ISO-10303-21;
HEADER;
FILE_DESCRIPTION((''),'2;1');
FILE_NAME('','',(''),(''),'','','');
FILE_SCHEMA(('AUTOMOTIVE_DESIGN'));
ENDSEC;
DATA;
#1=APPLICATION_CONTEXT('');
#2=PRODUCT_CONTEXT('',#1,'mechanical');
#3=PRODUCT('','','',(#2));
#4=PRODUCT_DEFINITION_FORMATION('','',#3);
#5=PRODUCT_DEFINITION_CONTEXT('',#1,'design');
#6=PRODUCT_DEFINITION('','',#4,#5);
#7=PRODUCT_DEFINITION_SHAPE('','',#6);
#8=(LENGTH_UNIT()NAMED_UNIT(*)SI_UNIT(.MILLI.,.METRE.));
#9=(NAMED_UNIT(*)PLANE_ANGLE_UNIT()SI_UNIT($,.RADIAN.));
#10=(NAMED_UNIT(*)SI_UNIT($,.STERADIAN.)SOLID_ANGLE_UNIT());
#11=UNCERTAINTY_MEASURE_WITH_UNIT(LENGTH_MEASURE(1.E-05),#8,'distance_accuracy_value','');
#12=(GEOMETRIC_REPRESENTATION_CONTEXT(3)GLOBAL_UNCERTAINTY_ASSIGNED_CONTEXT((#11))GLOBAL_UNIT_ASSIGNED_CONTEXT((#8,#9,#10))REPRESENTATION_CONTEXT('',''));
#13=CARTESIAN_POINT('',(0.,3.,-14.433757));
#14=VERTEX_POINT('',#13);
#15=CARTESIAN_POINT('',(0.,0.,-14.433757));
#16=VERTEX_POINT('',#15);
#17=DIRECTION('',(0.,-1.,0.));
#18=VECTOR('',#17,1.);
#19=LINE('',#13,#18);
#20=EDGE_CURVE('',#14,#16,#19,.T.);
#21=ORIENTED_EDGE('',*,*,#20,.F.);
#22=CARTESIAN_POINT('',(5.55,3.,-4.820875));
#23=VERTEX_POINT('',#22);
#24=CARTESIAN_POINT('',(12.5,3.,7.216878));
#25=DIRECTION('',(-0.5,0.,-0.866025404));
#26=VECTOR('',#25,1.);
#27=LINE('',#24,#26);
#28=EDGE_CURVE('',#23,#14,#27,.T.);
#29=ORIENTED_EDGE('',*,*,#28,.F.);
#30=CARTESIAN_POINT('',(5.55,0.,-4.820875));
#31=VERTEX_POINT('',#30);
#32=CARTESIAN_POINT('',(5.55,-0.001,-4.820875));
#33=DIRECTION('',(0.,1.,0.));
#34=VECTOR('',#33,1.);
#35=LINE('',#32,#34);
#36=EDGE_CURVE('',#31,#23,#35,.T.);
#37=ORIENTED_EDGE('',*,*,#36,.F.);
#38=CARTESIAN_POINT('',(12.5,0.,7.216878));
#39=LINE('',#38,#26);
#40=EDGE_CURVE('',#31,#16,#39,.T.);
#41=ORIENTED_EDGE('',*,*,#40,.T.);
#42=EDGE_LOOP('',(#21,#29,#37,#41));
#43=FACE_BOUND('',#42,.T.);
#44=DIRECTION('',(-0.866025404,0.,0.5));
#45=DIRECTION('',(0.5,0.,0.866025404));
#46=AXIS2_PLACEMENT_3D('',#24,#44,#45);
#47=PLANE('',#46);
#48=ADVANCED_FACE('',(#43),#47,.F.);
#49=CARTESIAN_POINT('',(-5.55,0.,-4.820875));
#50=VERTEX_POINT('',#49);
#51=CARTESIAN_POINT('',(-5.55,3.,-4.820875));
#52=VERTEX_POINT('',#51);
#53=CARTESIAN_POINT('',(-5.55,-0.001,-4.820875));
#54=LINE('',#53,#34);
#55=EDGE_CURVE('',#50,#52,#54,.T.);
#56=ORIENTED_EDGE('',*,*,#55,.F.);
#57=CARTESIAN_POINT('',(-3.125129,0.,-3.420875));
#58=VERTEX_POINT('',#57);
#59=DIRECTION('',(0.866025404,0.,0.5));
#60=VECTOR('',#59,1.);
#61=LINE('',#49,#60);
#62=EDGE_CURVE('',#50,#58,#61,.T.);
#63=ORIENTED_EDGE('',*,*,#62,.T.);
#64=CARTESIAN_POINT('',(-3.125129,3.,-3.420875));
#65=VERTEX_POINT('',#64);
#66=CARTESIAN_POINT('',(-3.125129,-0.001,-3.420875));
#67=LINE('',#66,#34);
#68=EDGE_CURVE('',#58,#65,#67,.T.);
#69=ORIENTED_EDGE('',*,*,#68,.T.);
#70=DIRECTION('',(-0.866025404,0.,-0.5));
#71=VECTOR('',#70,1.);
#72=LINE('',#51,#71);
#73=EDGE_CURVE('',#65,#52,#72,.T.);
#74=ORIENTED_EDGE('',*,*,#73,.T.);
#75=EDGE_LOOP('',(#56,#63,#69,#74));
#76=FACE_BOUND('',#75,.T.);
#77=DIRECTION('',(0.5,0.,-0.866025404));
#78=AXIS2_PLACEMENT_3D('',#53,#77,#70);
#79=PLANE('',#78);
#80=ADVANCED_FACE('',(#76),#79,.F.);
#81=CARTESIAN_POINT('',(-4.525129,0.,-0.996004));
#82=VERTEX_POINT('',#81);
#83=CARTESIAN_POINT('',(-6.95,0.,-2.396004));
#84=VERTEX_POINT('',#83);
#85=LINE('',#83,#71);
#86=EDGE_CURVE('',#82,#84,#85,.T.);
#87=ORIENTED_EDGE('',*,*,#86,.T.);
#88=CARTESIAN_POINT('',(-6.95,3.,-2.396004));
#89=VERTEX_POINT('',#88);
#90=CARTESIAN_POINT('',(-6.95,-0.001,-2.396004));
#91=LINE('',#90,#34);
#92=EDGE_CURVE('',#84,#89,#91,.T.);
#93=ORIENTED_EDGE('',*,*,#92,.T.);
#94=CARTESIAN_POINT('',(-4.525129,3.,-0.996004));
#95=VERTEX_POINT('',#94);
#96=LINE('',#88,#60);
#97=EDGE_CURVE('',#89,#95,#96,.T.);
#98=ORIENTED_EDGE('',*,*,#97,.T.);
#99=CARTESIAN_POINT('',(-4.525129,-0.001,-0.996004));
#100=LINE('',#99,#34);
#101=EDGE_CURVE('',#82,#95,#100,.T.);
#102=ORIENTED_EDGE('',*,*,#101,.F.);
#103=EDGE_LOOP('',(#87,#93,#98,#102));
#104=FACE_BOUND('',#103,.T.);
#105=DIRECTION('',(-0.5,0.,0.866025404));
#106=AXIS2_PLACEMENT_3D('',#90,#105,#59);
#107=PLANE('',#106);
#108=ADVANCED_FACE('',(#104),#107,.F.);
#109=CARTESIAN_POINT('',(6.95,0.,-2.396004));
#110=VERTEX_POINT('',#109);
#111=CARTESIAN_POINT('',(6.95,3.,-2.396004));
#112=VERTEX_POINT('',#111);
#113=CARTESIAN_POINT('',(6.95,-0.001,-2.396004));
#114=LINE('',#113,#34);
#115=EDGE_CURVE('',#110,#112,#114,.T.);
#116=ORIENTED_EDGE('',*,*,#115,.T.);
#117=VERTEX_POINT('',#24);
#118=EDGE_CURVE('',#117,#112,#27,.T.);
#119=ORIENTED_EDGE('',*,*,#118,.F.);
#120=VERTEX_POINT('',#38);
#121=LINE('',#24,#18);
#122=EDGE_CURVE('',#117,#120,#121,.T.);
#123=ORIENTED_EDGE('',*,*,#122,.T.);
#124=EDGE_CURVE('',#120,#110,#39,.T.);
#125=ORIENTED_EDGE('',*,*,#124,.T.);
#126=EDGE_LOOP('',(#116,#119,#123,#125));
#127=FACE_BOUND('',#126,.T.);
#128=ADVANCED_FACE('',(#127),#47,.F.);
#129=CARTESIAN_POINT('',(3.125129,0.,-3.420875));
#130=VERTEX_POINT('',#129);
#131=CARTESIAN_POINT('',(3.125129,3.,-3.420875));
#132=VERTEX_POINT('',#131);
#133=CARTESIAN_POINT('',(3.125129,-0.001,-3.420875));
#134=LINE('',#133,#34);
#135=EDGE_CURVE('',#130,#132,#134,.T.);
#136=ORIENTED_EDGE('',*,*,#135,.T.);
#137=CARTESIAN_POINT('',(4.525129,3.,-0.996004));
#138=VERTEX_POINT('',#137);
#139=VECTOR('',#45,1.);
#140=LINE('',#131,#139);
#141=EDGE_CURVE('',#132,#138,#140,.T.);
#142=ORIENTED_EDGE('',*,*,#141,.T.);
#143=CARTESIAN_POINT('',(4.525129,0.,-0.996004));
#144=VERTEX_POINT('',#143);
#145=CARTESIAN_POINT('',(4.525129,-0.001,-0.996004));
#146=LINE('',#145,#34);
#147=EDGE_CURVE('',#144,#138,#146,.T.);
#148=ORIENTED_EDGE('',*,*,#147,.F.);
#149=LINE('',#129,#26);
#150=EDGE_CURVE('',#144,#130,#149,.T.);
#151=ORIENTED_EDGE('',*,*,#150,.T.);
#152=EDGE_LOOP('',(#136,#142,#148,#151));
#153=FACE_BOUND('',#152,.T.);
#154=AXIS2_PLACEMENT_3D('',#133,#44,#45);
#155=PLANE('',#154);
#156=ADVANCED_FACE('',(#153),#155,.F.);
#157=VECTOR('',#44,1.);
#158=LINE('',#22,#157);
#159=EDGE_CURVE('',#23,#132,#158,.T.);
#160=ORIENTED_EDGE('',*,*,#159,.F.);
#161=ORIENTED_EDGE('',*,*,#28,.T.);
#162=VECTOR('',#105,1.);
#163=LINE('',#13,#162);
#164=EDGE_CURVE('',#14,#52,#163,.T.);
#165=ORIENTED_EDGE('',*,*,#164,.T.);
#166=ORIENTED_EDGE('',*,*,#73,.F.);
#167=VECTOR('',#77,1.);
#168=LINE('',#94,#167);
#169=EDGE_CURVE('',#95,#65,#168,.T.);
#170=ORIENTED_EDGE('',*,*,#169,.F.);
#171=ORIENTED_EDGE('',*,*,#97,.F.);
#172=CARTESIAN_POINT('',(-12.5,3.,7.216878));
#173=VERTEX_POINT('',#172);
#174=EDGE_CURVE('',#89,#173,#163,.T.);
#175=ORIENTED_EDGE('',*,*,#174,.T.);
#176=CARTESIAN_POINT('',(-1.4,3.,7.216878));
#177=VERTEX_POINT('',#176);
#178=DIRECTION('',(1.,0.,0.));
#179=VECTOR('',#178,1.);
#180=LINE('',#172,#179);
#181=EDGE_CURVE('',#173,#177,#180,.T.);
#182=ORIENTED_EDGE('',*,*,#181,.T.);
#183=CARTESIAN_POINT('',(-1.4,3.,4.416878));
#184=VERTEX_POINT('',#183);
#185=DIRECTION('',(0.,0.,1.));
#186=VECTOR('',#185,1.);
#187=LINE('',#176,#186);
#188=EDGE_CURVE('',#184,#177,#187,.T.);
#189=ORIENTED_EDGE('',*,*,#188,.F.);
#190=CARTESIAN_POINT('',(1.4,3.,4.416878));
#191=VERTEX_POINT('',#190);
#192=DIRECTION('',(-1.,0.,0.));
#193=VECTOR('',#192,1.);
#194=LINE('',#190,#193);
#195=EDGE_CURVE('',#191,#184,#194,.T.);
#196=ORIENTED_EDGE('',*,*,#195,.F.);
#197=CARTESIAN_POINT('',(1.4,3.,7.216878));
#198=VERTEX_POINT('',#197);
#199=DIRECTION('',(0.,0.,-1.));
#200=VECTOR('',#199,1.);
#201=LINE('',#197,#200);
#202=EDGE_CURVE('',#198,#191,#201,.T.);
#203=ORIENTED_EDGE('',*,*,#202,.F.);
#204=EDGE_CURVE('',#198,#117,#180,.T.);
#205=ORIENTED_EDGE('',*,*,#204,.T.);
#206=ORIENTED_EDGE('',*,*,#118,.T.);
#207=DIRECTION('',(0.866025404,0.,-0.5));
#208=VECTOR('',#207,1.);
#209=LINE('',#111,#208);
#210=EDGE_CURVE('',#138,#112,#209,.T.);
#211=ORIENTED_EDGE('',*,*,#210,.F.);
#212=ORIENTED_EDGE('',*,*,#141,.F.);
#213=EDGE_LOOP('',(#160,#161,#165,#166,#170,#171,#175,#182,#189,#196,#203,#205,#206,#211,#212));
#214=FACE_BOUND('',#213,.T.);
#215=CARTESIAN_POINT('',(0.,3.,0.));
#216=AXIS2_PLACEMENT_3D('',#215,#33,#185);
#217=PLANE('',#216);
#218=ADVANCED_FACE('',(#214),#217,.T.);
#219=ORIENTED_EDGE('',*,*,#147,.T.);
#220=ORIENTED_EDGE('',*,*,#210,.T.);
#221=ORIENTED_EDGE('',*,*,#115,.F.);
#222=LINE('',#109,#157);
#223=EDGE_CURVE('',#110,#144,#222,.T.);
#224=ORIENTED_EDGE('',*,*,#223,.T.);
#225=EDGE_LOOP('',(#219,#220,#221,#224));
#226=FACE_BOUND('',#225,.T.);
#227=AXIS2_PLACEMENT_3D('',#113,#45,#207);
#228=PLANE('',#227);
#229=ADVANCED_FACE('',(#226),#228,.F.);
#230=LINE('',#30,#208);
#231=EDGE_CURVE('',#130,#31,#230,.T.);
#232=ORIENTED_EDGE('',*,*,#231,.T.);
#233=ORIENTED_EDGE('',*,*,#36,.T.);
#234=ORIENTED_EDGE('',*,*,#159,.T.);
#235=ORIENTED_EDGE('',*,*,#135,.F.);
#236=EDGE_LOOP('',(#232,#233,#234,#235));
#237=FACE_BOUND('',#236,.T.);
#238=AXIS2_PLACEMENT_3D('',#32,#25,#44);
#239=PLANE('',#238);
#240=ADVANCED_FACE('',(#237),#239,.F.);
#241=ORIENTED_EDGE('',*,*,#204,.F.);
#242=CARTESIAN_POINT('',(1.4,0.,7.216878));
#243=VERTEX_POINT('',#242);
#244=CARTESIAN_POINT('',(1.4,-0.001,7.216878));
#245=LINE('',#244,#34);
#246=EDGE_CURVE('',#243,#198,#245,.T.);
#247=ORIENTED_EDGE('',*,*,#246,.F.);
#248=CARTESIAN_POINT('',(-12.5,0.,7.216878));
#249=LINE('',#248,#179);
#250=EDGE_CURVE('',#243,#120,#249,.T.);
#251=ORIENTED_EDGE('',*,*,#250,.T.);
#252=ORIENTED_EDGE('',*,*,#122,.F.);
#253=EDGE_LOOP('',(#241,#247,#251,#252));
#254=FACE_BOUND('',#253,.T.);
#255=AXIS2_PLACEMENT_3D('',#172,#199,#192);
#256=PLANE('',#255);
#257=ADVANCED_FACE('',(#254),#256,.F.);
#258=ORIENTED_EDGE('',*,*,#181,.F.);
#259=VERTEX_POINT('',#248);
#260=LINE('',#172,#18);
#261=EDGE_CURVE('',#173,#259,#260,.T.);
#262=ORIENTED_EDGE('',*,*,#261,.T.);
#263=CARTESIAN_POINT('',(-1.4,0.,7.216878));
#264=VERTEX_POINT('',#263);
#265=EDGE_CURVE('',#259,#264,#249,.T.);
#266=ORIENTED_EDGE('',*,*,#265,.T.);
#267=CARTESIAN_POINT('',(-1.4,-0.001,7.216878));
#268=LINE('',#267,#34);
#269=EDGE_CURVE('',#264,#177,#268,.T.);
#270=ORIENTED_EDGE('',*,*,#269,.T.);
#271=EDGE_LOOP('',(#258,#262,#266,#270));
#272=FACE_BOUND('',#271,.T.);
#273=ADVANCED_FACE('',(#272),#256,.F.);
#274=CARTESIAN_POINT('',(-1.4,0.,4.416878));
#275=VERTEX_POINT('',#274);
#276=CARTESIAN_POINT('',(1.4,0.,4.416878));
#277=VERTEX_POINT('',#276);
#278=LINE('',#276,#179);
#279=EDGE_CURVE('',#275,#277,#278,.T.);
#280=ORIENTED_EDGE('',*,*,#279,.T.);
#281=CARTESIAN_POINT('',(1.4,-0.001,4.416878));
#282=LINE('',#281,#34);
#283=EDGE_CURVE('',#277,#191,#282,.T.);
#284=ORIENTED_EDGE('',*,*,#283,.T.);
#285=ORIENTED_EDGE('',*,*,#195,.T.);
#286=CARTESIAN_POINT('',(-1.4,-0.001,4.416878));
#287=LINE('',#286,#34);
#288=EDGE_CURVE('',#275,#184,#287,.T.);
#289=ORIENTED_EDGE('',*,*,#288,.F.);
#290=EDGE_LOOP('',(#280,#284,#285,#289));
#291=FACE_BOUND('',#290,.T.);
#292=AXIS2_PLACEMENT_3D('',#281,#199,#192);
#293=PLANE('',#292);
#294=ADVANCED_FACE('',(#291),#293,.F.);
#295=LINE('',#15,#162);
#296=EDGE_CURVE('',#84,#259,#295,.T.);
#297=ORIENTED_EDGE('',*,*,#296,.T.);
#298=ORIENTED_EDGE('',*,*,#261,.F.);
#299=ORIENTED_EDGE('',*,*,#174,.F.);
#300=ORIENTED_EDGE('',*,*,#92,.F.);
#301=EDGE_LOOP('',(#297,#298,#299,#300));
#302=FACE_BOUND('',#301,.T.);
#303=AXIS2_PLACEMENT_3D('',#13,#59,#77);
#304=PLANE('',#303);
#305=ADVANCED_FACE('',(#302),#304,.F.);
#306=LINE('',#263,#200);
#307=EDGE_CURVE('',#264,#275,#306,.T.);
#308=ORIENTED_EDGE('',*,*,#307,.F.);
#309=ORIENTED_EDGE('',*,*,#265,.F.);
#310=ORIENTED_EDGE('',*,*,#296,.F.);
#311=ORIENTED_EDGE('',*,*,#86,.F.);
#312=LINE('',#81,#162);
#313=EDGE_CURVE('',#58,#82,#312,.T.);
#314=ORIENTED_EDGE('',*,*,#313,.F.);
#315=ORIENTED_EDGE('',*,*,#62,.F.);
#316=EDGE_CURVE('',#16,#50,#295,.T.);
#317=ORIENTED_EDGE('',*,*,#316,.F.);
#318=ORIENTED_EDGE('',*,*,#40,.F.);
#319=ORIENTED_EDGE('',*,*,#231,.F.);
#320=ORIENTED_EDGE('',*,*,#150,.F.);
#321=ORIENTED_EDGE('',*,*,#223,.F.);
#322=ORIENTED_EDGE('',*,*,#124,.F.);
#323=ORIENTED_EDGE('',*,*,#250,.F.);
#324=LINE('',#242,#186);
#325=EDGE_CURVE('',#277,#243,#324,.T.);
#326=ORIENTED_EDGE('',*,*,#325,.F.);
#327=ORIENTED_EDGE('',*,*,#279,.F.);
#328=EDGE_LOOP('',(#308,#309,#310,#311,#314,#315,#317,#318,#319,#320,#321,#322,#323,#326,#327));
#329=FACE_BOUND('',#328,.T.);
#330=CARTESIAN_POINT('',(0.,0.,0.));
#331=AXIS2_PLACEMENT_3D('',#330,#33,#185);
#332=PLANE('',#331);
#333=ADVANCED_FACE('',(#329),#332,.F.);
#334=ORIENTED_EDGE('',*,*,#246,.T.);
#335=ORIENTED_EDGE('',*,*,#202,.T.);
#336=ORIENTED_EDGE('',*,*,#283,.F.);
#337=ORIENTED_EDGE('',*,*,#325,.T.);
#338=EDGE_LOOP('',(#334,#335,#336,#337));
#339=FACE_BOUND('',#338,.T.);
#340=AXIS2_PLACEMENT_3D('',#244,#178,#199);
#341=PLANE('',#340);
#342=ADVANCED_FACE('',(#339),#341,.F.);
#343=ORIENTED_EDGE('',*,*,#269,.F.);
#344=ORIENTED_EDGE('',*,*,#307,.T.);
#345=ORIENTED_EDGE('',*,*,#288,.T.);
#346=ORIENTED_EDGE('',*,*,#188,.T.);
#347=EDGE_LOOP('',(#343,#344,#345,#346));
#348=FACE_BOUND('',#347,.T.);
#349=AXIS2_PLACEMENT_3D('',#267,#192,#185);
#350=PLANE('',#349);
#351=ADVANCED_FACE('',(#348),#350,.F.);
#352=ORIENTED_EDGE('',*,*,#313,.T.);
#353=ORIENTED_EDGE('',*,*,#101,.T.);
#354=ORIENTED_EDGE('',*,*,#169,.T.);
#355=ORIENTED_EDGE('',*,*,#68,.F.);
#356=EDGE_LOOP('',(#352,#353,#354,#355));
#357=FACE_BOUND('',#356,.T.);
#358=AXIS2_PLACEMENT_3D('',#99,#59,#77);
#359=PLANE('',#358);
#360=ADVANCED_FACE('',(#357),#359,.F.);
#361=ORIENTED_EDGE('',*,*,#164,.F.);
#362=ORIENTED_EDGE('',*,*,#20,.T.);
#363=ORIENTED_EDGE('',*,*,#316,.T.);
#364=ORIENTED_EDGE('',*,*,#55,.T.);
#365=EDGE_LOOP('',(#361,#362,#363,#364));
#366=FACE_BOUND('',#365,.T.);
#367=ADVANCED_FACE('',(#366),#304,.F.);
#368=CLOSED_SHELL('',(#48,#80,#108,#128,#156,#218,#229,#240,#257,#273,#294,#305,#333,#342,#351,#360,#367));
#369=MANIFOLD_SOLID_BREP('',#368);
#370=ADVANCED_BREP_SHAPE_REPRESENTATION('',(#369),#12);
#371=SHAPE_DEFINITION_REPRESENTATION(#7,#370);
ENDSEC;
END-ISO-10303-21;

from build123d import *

# Parameters (mm, degrees)
BOSS_EXTRUDE1_DEPTH = 3
CUT_EXTRUDE1_REACH  = 5
SKETCH3_W           = 2.8
SKETCH3_H           = 2.8


with BuildPart() as part:
    # Sketch1 → Boss-Extrude1 (new body)
    with BuildSketch(Plane(origin=(0, 0, 0), x_dir=(1, 0, 0), z_dir=(0, 1, 0))):
        Polygon((0, 14.43375673), (-12.5, -7.216878365), (12.5, -7.216878365), align=None)
    extrude(amount=BOSS_EXTRUDE1_DEPTH)

    # Sketch3 → Cut-Extrude1 (cut, up to next)
    with BuildSketch(Plane(origin=(0, 3, 0), x_dir=(1, 0, 0), z_dir=(0, 1, 0)), mode=Mode.PRIVATE) as cut_extrude1_sk1:
        Polygon((6.95, 2.396003617), (4.525128869, 0.996003617), (3.125128869, 3.420874748), (5.55, 4.820874748), align=None)
    cut_extrude1_tool1 = extrude(cut_extrude1_sk1.sketch, amount=-CUT_EXTRUDE1_REACH, mode=Mode.PRIVATE) & part.part
    add(cut_extrude1_tool1.solids().sort_by_distance((5.037564, 3, -2.908439))[0], mode=Mode.SUBTRACT)
    # Sketch3 → Cut-Extrude1 (cut, up to next)
    with BuildSketch(Plane(origin=(0, 3, 0), x_dir=(1, 0, 0), z_dir=(0, 1, 0)), mode=Mode.PRIVATE) as cut_extrude1_sk2:
        Polygon((-6.95, 2.396003617), (-4.525128869, 0.996003617), (-3.125128869, 3.420874748), (-5.55, 4.820874748), align=None)
    cut_extrude1_tool2 = extrude(cut_extrude1_sk2.sketch, amount=-CUT_EXTRUDE1_REACH, mode=Mode.PRIVATE) & part.part
    add(cut_extrude1_tool2.solids().sort_by_distance((-5.037564, 3, -2.908439))[0], mode=Mode.SUBTRACT)
    # Sketch3 → Cut-Extrude1 (cut, up to next)
    with BuildSketch(Plane(origin=(0, 3, 0), x_dir=(1, 0, 0), z_dir=(0, 1, 0)), mode=Mode.PRIVATE) as cut_extrude1_sk3:
        with Locations((0, -5.816878365)):
            Rectangle(SKETCH3_W, SKETCH3_H)
    cut_extrude1_tool3 = extrude(cut_extrude1_sk3.sketch, amount=-CUT_EXTRUDE1_REACH, mode=Mode.PRIVATE) & part.part
    add(cut_extrude1_tool3.solids().sort_by_distance((0, 3, 5.816878))[0], mode=Mode.SUBTRACT)


solid = part.part
